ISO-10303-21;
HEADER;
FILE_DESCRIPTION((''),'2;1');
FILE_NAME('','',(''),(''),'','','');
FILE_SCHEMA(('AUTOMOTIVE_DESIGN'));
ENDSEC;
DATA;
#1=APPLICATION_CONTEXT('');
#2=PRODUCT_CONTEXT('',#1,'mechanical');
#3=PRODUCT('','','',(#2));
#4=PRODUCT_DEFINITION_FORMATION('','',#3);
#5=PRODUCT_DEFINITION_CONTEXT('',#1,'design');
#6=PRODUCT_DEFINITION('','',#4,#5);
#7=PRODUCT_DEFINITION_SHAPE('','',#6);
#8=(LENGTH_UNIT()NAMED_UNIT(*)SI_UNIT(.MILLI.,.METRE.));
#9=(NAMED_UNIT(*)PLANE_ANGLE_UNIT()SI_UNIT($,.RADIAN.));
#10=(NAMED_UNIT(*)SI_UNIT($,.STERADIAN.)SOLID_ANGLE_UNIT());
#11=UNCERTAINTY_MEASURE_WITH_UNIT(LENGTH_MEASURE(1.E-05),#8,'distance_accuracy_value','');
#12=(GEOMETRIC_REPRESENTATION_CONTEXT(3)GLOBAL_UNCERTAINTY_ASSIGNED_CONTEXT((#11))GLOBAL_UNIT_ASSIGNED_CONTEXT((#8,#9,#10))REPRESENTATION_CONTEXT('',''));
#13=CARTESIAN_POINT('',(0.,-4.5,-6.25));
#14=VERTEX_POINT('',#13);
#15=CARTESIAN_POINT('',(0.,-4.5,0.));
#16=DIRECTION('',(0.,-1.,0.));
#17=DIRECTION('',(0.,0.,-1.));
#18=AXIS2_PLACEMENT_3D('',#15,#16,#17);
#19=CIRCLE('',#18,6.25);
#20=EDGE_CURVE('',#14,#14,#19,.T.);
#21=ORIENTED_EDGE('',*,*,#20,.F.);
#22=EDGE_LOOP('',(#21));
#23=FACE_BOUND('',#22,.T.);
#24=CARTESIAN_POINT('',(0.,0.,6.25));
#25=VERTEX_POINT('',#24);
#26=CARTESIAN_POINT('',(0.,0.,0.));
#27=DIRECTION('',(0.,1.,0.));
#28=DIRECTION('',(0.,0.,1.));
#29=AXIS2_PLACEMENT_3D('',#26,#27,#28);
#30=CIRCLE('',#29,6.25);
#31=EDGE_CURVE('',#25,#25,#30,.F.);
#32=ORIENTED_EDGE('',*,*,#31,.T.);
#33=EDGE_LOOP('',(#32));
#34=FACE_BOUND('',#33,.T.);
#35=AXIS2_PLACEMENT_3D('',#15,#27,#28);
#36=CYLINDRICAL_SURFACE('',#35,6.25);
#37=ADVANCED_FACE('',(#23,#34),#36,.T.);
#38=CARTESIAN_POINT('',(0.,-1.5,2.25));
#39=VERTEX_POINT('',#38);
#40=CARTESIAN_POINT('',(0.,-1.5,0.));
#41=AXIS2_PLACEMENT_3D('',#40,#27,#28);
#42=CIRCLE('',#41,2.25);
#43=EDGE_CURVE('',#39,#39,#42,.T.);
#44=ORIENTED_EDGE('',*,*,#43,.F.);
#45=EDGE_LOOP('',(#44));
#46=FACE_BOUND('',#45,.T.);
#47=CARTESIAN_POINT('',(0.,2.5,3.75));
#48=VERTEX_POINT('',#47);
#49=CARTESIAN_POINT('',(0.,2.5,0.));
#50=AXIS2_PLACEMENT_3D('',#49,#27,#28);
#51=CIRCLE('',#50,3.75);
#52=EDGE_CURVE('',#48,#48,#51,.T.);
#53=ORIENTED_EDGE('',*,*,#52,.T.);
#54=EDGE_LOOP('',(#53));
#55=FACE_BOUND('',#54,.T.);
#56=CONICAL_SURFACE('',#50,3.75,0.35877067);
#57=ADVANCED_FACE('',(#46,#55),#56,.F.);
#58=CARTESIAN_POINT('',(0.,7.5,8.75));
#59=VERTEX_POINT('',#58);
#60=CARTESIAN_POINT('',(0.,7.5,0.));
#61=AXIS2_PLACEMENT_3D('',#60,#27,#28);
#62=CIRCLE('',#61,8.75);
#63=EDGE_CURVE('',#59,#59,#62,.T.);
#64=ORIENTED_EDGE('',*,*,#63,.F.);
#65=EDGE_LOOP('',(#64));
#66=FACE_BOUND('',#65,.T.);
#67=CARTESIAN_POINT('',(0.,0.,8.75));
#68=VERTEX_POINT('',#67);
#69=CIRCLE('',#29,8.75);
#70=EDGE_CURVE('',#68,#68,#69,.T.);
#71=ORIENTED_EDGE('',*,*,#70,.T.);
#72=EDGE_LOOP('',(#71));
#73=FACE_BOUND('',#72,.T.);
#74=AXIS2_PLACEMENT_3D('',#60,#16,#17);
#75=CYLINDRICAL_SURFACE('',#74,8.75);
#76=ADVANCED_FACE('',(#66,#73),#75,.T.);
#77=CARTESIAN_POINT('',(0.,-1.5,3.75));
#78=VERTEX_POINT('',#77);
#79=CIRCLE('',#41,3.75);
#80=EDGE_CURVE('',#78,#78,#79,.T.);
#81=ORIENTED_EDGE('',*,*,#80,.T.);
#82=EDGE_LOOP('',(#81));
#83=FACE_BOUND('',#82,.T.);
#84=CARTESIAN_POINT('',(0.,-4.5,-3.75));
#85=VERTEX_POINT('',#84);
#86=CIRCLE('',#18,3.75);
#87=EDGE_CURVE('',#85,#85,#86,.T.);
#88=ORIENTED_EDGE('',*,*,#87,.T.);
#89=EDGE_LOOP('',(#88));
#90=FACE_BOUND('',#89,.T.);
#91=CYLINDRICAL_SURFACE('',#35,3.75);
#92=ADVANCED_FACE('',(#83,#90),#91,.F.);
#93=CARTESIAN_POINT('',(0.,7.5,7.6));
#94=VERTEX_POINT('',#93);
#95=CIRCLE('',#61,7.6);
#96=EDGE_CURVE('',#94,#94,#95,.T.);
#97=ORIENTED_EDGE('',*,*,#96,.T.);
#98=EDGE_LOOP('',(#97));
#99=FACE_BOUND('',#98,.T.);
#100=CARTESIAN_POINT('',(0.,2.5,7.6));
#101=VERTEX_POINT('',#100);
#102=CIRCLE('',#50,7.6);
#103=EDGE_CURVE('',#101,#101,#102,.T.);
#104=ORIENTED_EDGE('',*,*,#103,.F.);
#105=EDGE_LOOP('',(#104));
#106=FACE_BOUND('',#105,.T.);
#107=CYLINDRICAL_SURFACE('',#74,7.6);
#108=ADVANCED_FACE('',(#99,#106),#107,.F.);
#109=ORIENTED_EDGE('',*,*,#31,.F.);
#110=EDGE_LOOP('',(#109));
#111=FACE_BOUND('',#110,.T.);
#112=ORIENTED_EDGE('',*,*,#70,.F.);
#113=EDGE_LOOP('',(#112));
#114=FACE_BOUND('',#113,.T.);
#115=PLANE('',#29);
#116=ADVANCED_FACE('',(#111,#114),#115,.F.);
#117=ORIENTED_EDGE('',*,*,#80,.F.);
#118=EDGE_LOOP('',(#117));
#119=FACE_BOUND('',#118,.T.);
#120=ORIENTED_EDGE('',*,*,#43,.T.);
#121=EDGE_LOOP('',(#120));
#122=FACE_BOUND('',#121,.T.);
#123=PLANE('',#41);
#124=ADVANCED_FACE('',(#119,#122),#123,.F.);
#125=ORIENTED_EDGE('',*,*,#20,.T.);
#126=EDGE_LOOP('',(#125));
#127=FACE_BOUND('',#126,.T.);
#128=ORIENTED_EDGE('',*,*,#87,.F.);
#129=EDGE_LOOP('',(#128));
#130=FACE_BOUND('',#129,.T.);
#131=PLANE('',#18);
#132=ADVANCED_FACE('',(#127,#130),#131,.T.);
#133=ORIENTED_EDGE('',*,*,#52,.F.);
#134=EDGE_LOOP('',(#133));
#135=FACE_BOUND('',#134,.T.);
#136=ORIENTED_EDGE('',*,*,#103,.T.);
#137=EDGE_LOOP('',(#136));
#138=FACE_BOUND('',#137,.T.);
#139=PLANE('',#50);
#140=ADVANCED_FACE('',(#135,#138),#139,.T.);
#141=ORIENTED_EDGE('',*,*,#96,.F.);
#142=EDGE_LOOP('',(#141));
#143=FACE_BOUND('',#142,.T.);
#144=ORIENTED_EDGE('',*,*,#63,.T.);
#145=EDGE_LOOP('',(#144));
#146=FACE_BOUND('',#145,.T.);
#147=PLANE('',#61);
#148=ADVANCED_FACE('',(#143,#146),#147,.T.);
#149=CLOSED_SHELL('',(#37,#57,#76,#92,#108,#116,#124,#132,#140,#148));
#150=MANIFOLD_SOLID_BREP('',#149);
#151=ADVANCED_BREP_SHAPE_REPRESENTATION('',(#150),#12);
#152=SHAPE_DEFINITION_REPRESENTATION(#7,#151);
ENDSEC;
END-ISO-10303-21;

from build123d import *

# Parameters (mm, degrees)
SKETCH1_R           = 8.75
SKETCH1_R_2         = 7.6
BOSS_EXTRUDE1_DEPTH = 7.5
SKETCH1_2_R         = 7.6
BOSS_EXTRUDE2_DEPTH = 2.5
SKETCH2_R           = 6.25
SKETCH2_R_2         = 3.75
BOSS_EXTRUDE3_DEPTH = 4.5
CUT_EXTRUDE1_START  = -4.5
SKETCH3_R           = 3.75
CUT_EXTRUDE1_DEPTH  = 4.5


with BuildPart() as part:
    # Sketch1 → Boss-Extrude1 (new body)
    with BuildSketch(Plane(origin=(0, 0, 0), x_dir=(1, 0, 0), z_dir=(0, 1, 0))):
        Circle(SKETCH1_R)
        Circle(SKETCH1_R_2, mode=Mode.SUBTRACT)
    extrude(amount=BOSS_EXTRUDE1_DEPTH)

    # Sketch1<2> → Boss-Extrude2 (add)
    with BuildSketch(Plane(origin=(0, 0, 0), x_dir=(1, 0, 0), z_dir=(0, 1, 0))):
        Circle(SKETCH1_2_R)
    extrude(amount=BOSS_EXTRUDE2_DEPTH)

    # Sketch2 → Boss-Extrude3 (add)
    with BuildSketch(Plane.XZ):
        Circle(SKETCH2_R)
        Circle(SKETCH2_R_2, mode=Mode.SUBTRACT)
    extrude(amount=BOSS_EXTRUDE3_DEPTH)

    # Sketch3 → Cut-Extrude1 (cut)
    with BuildSketch(Plane.XZ.offset(CUT_EXTRUDE1_START)):
        Circle(SKETCH3_R)
    extrude(amount=CUT_EXTRUDE1_DEPTH, mode=Mode.SUBTRACT)

    # Sketch4 → Revolve1 (revolve)
    with BuildSketch(Plane.XY):
        Polygon((3.75, -1.5), (3.75, 2.5), (2.25, -1.5), align=None)
    revolve(axis=Axis((0, 6.48863082, 0), (0, -1, 0)))


solid = part.part
